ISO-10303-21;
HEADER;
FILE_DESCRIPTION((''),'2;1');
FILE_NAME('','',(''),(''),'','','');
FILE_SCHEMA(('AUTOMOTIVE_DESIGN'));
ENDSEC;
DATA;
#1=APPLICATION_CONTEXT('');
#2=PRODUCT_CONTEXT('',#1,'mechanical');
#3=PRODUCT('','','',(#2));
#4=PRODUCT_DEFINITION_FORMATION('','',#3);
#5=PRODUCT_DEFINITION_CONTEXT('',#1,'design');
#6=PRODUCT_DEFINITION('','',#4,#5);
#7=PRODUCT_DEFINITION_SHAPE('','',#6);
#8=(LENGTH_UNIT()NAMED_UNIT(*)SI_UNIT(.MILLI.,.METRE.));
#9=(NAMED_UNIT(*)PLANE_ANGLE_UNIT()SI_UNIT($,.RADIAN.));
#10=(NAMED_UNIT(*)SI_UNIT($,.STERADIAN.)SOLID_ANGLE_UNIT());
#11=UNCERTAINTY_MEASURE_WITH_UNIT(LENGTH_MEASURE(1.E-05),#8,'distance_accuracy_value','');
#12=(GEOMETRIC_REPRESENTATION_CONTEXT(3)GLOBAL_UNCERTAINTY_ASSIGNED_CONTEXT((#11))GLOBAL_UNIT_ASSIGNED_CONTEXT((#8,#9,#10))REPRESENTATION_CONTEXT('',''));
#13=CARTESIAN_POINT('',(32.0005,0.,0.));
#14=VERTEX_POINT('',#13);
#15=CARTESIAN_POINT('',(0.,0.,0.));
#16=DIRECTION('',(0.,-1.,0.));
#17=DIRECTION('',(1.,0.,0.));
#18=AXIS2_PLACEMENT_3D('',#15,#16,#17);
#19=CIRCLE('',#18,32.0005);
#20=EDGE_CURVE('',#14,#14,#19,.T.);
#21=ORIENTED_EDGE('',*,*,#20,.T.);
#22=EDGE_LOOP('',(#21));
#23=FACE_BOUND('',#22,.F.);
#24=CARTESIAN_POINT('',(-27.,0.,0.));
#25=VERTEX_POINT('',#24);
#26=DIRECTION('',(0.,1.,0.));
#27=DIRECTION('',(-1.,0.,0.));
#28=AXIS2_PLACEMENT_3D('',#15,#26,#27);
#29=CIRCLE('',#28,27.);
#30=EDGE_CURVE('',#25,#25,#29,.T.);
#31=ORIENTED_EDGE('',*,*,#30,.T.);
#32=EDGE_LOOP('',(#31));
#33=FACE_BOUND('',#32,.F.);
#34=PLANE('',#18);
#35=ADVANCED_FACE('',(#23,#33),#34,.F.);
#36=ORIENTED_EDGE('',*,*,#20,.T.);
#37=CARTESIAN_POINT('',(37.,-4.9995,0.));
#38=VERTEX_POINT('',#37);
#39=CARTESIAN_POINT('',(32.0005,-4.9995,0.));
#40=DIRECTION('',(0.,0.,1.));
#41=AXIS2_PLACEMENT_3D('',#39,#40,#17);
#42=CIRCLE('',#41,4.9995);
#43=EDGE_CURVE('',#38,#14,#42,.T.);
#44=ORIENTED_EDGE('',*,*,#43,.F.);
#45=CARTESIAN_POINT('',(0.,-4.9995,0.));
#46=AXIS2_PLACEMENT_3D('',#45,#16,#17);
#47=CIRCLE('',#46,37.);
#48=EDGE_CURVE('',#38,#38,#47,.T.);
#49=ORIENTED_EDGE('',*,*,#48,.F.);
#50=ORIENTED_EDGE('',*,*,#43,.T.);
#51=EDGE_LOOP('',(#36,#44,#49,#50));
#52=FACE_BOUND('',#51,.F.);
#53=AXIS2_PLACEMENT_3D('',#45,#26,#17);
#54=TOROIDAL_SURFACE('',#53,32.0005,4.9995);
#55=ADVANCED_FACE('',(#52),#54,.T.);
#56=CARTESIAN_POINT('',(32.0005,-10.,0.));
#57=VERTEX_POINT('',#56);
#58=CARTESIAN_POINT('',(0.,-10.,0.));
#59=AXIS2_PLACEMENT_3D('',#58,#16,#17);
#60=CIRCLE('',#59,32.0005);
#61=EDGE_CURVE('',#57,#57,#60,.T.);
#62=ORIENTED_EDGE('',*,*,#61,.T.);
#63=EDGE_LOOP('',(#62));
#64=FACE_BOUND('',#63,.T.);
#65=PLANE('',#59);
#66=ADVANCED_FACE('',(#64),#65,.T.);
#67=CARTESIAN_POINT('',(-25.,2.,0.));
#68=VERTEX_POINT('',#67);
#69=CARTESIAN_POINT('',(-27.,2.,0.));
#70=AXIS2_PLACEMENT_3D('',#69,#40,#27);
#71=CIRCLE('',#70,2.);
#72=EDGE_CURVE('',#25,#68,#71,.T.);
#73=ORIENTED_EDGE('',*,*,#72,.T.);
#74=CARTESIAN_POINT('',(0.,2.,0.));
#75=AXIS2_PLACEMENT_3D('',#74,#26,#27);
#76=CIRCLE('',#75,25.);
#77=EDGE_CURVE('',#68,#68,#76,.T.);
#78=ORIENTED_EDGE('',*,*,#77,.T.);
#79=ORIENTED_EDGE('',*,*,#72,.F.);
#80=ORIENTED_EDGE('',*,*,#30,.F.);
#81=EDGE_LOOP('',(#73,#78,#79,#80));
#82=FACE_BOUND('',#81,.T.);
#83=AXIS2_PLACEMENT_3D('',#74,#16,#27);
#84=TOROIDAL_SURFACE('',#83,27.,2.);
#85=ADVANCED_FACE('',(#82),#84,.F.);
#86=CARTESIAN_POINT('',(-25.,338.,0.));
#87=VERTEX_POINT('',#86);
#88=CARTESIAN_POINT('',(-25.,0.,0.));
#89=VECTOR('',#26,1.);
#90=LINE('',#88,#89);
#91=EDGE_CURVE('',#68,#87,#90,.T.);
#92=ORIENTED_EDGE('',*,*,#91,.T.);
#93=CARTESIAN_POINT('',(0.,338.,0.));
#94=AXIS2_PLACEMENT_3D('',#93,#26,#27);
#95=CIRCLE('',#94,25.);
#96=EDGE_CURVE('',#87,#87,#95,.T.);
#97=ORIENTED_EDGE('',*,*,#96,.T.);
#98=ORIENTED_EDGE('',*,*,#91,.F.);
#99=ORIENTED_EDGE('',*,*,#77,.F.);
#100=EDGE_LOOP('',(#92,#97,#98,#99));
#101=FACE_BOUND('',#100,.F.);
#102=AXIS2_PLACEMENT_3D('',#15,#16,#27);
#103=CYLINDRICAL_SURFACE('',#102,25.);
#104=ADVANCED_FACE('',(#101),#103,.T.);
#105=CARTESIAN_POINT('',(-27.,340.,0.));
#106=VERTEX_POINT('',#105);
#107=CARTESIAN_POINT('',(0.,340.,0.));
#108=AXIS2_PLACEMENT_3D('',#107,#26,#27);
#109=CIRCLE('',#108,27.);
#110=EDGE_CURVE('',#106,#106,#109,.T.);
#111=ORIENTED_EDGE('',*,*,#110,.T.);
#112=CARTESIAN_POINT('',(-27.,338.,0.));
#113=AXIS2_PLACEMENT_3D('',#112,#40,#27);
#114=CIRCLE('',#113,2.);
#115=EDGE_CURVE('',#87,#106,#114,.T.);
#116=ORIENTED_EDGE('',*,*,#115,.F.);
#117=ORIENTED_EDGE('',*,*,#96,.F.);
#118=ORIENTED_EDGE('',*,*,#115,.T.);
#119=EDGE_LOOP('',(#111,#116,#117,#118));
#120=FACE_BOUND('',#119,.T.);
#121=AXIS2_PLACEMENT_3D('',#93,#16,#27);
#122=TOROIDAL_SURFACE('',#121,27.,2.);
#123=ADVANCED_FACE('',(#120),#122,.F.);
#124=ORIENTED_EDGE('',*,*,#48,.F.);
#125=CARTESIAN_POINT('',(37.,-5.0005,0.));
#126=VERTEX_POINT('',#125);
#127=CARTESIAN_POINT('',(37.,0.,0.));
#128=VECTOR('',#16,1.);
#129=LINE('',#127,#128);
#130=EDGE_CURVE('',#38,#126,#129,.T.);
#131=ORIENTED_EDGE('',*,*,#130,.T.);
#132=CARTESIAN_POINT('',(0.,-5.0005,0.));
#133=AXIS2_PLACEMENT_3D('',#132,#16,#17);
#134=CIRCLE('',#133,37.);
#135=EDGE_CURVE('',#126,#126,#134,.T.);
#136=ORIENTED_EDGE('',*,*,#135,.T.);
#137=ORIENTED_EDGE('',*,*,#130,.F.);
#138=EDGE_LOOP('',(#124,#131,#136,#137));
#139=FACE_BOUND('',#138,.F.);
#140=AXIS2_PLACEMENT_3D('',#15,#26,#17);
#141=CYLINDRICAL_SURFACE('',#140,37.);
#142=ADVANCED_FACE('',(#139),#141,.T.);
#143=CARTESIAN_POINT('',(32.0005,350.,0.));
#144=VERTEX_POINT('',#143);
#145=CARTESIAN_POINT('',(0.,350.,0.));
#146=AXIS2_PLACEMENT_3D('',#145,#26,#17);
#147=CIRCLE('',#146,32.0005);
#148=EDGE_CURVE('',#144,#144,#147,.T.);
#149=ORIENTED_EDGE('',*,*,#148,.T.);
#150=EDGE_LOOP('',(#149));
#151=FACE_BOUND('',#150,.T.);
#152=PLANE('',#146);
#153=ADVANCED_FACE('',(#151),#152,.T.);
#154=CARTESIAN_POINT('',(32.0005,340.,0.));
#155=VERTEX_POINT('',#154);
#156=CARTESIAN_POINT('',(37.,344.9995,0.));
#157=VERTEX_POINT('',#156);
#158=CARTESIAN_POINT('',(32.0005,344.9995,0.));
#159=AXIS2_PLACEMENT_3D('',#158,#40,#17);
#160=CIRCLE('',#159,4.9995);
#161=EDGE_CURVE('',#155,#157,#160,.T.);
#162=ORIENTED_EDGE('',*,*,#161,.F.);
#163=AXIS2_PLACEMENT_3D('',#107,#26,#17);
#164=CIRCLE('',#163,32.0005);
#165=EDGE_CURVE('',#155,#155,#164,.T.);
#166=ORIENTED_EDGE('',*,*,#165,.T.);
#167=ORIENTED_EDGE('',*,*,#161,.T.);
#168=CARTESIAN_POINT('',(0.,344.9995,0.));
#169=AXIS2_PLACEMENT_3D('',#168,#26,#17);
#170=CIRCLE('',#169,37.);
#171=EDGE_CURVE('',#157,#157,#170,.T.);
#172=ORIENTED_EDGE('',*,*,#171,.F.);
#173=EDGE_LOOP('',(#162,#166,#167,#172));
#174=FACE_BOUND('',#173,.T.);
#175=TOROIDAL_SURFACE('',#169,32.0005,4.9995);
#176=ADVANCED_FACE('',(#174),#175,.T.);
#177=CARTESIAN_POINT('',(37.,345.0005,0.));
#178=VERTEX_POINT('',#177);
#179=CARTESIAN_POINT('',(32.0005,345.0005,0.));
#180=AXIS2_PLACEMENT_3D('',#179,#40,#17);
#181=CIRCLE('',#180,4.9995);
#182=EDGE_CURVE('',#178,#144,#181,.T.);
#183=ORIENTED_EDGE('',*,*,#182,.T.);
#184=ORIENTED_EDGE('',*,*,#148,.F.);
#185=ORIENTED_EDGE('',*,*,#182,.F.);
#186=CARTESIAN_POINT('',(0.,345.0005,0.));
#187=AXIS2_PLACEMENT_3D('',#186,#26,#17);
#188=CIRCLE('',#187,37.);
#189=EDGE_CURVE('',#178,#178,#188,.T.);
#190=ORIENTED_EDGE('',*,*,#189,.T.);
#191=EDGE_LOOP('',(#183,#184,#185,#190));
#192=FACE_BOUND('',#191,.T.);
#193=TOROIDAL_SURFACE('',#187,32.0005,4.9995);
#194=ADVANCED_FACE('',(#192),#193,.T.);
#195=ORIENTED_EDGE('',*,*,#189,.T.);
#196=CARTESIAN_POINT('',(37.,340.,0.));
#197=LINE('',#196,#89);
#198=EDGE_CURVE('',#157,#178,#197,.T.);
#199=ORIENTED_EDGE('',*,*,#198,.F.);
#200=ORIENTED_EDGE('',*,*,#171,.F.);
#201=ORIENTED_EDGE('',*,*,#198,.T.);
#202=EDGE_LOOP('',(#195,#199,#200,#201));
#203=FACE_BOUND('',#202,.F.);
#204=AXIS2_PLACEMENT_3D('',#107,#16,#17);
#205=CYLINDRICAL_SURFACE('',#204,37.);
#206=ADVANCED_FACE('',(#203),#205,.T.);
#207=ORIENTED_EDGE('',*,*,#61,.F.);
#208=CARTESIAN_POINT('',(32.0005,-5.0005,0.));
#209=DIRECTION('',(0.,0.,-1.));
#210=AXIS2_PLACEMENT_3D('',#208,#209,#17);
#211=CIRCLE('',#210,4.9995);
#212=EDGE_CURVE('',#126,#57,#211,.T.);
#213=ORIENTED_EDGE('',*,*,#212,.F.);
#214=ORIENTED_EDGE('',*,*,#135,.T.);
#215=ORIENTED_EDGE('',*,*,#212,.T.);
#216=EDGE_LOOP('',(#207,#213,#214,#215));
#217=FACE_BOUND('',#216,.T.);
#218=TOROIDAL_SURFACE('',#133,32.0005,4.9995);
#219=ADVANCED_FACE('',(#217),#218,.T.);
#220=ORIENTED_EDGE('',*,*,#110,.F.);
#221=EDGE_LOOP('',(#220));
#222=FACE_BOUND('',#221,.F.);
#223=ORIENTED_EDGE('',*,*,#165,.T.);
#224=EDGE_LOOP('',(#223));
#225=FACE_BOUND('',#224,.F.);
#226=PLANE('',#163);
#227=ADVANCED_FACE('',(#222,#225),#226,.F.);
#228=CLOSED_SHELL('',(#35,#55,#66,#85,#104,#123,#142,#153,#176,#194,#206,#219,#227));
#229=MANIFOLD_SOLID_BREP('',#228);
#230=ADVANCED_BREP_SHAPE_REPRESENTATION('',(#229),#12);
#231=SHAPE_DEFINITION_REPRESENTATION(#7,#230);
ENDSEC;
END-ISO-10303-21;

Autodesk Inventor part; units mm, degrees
ref_plane "YZ Plane" through (0, 0, 0) normal (1, 0, 0) x (0, 1, 0)
ref_plane "XZ Plane" through (0, 0, 0) normal (0, 1, 0) x (-1, 0, 0)
ref_plane "XY Plane" through (0, 0, 0) normal (0, 0, 1) x (1, 0, 0)
sketch "草图1" plane through (0, 0, 0) normal (0, 1, 0) x (-1, 0, 0)
  circle A0 centre (0, 0) radius 25
  dimension "d0" = 50
extrude "拉伸1" add sketch "草图1" along normal blind 340
sketch "草图2" plane through (0, 340, 0) normal (0, 1, 0) x (1, 0, 0)
  circle A0 centre (0, 0) radius 37
extrude "拉伸2" add sketch "草图2" along normal blind 10
sketch "草图3" plane through (0, 0, 0) normal (0, -1, 0) x (1, 0, 0)
  circle A0 centre (0, 0) radius 37
extrude "拉伸3" add sketch "草图3" along normal blind 10
fillet "圆角1" radius 5 4 edges at (-37, 350, 0) (-37, 340, 0) (-37, 0, 0) (-37, -10, 0)
fillet "圆角2" radius 2 2 edges at (25, 340, 0) (25, 0, 0)
properties part number "销钉" material "钢，高强度，低合金"
